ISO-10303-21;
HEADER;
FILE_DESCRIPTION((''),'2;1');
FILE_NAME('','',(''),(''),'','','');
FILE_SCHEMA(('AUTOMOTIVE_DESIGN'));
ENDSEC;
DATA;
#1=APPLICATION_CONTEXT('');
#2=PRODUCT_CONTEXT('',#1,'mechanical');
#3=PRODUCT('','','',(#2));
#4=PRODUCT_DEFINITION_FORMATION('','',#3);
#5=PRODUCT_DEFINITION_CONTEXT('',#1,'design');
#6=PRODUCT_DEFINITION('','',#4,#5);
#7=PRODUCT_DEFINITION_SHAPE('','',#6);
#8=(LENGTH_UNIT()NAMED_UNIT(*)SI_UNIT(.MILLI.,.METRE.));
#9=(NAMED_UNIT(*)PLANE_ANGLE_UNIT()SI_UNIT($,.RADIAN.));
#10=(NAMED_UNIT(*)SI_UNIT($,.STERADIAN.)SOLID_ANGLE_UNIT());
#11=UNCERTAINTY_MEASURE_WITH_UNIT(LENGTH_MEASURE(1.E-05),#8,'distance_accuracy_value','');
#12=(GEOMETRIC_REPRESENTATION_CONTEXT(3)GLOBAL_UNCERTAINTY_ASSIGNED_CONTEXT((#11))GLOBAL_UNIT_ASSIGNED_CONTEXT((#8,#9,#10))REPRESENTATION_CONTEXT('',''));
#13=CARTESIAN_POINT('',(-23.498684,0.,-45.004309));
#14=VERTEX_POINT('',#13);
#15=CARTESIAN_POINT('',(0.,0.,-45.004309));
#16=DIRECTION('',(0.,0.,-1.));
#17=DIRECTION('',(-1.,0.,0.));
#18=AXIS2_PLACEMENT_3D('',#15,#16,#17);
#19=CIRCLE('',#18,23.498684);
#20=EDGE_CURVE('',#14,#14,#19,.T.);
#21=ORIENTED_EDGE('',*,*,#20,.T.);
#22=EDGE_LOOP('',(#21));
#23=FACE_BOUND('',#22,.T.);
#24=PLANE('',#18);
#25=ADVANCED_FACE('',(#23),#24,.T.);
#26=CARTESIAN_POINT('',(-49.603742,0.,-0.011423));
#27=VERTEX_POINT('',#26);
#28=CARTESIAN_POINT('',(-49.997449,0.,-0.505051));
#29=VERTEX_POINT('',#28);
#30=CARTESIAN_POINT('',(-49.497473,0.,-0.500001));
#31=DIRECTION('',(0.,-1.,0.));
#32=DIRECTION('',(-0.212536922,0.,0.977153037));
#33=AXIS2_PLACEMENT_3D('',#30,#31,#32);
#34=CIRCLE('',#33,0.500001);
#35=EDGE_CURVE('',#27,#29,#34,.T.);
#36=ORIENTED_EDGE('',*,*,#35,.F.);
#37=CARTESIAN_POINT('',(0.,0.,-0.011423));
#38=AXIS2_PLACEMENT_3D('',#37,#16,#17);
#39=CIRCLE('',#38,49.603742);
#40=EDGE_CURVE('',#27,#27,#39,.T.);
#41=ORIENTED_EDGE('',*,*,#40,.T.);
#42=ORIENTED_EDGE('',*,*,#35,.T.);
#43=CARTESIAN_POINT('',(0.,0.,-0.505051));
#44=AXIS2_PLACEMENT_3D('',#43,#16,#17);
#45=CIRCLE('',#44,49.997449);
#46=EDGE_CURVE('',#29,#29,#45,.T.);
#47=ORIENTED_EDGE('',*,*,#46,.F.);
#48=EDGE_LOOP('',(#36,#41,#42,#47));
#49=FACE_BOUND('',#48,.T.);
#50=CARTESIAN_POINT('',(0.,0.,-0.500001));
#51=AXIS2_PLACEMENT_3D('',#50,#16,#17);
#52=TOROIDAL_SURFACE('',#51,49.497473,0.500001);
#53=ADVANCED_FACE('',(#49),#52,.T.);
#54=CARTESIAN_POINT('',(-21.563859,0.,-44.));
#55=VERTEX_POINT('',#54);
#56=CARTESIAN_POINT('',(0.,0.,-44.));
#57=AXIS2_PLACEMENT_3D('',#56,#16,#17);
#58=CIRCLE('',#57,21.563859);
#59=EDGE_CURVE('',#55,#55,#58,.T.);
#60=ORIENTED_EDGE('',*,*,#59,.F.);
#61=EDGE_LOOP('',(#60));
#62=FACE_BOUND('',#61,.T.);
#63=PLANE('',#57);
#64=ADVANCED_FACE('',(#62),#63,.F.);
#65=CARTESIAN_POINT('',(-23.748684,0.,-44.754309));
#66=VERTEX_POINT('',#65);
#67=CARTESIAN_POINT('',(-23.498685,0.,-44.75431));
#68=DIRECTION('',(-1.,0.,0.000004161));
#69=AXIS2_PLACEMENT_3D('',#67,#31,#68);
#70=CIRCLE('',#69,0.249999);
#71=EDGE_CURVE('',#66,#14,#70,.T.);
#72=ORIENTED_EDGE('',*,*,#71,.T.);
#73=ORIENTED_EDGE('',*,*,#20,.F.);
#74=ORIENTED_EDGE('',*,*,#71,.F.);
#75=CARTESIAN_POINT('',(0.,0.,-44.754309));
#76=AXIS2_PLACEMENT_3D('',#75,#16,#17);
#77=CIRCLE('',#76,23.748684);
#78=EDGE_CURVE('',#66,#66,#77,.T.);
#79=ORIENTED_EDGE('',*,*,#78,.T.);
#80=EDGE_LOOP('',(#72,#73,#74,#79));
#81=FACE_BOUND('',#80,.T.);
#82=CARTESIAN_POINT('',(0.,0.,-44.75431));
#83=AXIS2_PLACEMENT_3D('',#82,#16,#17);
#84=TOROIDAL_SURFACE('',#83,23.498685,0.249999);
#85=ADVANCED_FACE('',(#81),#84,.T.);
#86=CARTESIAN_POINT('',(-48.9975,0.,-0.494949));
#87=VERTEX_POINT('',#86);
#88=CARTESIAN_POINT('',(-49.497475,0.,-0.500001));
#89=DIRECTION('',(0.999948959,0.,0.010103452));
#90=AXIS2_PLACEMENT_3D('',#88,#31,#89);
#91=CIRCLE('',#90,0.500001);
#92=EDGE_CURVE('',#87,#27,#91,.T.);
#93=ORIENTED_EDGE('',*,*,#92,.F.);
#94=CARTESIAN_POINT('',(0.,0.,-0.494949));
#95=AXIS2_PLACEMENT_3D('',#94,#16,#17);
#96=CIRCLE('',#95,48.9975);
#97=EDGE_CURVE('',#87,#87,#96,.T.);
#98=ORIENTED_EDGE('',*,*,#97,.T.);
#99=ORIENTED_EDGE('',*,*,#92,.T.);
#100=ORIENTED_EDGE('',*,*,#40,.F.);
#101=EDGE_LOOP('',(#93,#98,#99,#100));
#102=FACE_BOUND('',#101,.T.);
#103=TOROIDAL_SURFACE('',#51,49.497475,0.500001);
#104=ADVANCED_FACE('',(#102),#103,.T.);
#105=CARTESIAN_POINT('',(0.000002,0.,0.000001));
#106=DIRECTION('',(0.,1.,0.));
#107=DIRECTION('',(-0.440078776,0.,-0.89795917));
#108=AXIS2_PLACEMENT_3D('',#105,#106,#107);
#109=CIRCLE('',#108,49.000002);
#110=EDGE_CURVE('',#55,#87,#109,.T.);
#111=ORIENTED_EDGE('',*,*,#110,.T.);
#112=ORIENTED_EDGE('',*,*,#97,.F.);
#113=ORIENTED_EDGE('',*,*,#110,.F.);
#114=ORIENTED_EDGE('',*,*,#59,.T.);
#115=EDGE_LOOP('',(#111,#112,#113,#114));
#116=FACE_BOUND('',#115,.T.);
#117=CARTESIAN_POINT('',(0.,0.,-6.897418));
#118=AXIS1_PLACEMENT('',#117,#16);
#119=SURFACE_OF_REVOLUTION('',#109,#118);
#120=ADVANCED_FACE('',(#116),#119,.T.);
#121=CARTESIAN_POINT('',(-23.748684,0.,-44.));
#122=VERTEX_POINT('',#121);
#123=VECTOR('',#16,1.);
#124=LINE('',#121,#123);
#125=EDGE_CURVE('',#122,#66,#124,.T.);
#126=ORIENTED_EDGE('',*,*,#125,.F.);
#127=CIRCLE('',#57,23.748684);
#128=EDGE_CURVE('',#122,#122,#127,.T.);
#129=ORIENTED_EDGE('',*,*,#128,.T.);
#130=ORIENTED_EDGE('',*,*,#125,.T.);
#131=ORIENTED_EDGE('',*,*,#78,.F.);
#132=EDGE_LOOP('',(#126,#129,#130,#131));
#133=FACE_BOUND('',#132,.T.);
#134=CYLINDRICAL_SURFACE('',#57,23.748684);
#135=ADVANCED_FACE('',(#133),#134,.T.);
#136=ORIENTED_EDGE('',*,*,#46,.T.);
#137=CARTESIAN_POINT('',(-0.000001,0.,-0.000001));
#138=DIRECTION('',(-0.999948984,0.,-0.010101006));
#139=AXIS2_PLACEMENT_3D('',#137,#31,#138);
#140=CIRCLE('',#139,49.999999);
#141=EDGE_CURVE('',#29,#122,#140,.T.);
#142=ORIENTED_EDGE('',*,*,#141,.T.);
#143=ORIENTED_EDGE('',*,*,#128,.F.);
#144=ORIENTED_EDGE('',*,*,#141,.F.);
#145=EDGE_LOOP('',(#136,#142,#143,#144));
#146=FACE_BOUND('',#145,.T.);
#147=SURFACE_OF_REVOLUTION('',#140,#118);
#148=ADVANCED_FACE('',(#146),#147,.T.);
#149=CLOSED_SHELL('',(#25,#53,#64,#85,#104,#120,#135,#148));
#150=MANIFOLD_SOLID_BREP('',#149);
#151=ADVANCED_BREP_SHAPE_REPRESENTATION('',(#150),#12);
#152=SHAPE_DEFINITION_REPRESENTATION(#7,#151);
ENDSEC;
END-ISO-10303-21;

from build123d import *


with BuildPart() as f1:
    # F0 (on Front) → F1 (revolve)
    with BuildSketch(Plane.XZ):
        with BuildLine():
            ThreePointArc((-49.603742, -0.011423), (-49.88837, -0.18823), (-49.997449, -0.505051))
            ThreePointArc((-49.997449, -0.505051), (-42.808594, -25.834556), (-23.748684, -44))
            Line((-23.748684, -44), (-21.563859, -44))
            ThreePointArc((-21.563859, -44), (-41.447541, -26.136207), (-48.9975, -0.494949))
            ThreePointArc((-48.9975, -0.494949), (-49.185704, -0.109105), (-49.603742, -0.011423))
        make_face()
        with BuildLine():
            Line((-21.563859, -44), (-23.748684, -44))
            Line((-23.748684, -44), (-23.748684, -44.754309))
            ThreePointArc((-23.748684, -44.754309), (-23.675461, -44.931086), (-23.498684, -45.004309))
            Line((-23.498684, -45.004309), (0, -45.004309))
            Line((0, -45.004309), (0, -44))
            Line((0, -44), (-21.563859, -44))
        make_face()
    revolve(axis=Axis((0, 0, -6.897418), (0, 0, -1)))


solid = f1.part
